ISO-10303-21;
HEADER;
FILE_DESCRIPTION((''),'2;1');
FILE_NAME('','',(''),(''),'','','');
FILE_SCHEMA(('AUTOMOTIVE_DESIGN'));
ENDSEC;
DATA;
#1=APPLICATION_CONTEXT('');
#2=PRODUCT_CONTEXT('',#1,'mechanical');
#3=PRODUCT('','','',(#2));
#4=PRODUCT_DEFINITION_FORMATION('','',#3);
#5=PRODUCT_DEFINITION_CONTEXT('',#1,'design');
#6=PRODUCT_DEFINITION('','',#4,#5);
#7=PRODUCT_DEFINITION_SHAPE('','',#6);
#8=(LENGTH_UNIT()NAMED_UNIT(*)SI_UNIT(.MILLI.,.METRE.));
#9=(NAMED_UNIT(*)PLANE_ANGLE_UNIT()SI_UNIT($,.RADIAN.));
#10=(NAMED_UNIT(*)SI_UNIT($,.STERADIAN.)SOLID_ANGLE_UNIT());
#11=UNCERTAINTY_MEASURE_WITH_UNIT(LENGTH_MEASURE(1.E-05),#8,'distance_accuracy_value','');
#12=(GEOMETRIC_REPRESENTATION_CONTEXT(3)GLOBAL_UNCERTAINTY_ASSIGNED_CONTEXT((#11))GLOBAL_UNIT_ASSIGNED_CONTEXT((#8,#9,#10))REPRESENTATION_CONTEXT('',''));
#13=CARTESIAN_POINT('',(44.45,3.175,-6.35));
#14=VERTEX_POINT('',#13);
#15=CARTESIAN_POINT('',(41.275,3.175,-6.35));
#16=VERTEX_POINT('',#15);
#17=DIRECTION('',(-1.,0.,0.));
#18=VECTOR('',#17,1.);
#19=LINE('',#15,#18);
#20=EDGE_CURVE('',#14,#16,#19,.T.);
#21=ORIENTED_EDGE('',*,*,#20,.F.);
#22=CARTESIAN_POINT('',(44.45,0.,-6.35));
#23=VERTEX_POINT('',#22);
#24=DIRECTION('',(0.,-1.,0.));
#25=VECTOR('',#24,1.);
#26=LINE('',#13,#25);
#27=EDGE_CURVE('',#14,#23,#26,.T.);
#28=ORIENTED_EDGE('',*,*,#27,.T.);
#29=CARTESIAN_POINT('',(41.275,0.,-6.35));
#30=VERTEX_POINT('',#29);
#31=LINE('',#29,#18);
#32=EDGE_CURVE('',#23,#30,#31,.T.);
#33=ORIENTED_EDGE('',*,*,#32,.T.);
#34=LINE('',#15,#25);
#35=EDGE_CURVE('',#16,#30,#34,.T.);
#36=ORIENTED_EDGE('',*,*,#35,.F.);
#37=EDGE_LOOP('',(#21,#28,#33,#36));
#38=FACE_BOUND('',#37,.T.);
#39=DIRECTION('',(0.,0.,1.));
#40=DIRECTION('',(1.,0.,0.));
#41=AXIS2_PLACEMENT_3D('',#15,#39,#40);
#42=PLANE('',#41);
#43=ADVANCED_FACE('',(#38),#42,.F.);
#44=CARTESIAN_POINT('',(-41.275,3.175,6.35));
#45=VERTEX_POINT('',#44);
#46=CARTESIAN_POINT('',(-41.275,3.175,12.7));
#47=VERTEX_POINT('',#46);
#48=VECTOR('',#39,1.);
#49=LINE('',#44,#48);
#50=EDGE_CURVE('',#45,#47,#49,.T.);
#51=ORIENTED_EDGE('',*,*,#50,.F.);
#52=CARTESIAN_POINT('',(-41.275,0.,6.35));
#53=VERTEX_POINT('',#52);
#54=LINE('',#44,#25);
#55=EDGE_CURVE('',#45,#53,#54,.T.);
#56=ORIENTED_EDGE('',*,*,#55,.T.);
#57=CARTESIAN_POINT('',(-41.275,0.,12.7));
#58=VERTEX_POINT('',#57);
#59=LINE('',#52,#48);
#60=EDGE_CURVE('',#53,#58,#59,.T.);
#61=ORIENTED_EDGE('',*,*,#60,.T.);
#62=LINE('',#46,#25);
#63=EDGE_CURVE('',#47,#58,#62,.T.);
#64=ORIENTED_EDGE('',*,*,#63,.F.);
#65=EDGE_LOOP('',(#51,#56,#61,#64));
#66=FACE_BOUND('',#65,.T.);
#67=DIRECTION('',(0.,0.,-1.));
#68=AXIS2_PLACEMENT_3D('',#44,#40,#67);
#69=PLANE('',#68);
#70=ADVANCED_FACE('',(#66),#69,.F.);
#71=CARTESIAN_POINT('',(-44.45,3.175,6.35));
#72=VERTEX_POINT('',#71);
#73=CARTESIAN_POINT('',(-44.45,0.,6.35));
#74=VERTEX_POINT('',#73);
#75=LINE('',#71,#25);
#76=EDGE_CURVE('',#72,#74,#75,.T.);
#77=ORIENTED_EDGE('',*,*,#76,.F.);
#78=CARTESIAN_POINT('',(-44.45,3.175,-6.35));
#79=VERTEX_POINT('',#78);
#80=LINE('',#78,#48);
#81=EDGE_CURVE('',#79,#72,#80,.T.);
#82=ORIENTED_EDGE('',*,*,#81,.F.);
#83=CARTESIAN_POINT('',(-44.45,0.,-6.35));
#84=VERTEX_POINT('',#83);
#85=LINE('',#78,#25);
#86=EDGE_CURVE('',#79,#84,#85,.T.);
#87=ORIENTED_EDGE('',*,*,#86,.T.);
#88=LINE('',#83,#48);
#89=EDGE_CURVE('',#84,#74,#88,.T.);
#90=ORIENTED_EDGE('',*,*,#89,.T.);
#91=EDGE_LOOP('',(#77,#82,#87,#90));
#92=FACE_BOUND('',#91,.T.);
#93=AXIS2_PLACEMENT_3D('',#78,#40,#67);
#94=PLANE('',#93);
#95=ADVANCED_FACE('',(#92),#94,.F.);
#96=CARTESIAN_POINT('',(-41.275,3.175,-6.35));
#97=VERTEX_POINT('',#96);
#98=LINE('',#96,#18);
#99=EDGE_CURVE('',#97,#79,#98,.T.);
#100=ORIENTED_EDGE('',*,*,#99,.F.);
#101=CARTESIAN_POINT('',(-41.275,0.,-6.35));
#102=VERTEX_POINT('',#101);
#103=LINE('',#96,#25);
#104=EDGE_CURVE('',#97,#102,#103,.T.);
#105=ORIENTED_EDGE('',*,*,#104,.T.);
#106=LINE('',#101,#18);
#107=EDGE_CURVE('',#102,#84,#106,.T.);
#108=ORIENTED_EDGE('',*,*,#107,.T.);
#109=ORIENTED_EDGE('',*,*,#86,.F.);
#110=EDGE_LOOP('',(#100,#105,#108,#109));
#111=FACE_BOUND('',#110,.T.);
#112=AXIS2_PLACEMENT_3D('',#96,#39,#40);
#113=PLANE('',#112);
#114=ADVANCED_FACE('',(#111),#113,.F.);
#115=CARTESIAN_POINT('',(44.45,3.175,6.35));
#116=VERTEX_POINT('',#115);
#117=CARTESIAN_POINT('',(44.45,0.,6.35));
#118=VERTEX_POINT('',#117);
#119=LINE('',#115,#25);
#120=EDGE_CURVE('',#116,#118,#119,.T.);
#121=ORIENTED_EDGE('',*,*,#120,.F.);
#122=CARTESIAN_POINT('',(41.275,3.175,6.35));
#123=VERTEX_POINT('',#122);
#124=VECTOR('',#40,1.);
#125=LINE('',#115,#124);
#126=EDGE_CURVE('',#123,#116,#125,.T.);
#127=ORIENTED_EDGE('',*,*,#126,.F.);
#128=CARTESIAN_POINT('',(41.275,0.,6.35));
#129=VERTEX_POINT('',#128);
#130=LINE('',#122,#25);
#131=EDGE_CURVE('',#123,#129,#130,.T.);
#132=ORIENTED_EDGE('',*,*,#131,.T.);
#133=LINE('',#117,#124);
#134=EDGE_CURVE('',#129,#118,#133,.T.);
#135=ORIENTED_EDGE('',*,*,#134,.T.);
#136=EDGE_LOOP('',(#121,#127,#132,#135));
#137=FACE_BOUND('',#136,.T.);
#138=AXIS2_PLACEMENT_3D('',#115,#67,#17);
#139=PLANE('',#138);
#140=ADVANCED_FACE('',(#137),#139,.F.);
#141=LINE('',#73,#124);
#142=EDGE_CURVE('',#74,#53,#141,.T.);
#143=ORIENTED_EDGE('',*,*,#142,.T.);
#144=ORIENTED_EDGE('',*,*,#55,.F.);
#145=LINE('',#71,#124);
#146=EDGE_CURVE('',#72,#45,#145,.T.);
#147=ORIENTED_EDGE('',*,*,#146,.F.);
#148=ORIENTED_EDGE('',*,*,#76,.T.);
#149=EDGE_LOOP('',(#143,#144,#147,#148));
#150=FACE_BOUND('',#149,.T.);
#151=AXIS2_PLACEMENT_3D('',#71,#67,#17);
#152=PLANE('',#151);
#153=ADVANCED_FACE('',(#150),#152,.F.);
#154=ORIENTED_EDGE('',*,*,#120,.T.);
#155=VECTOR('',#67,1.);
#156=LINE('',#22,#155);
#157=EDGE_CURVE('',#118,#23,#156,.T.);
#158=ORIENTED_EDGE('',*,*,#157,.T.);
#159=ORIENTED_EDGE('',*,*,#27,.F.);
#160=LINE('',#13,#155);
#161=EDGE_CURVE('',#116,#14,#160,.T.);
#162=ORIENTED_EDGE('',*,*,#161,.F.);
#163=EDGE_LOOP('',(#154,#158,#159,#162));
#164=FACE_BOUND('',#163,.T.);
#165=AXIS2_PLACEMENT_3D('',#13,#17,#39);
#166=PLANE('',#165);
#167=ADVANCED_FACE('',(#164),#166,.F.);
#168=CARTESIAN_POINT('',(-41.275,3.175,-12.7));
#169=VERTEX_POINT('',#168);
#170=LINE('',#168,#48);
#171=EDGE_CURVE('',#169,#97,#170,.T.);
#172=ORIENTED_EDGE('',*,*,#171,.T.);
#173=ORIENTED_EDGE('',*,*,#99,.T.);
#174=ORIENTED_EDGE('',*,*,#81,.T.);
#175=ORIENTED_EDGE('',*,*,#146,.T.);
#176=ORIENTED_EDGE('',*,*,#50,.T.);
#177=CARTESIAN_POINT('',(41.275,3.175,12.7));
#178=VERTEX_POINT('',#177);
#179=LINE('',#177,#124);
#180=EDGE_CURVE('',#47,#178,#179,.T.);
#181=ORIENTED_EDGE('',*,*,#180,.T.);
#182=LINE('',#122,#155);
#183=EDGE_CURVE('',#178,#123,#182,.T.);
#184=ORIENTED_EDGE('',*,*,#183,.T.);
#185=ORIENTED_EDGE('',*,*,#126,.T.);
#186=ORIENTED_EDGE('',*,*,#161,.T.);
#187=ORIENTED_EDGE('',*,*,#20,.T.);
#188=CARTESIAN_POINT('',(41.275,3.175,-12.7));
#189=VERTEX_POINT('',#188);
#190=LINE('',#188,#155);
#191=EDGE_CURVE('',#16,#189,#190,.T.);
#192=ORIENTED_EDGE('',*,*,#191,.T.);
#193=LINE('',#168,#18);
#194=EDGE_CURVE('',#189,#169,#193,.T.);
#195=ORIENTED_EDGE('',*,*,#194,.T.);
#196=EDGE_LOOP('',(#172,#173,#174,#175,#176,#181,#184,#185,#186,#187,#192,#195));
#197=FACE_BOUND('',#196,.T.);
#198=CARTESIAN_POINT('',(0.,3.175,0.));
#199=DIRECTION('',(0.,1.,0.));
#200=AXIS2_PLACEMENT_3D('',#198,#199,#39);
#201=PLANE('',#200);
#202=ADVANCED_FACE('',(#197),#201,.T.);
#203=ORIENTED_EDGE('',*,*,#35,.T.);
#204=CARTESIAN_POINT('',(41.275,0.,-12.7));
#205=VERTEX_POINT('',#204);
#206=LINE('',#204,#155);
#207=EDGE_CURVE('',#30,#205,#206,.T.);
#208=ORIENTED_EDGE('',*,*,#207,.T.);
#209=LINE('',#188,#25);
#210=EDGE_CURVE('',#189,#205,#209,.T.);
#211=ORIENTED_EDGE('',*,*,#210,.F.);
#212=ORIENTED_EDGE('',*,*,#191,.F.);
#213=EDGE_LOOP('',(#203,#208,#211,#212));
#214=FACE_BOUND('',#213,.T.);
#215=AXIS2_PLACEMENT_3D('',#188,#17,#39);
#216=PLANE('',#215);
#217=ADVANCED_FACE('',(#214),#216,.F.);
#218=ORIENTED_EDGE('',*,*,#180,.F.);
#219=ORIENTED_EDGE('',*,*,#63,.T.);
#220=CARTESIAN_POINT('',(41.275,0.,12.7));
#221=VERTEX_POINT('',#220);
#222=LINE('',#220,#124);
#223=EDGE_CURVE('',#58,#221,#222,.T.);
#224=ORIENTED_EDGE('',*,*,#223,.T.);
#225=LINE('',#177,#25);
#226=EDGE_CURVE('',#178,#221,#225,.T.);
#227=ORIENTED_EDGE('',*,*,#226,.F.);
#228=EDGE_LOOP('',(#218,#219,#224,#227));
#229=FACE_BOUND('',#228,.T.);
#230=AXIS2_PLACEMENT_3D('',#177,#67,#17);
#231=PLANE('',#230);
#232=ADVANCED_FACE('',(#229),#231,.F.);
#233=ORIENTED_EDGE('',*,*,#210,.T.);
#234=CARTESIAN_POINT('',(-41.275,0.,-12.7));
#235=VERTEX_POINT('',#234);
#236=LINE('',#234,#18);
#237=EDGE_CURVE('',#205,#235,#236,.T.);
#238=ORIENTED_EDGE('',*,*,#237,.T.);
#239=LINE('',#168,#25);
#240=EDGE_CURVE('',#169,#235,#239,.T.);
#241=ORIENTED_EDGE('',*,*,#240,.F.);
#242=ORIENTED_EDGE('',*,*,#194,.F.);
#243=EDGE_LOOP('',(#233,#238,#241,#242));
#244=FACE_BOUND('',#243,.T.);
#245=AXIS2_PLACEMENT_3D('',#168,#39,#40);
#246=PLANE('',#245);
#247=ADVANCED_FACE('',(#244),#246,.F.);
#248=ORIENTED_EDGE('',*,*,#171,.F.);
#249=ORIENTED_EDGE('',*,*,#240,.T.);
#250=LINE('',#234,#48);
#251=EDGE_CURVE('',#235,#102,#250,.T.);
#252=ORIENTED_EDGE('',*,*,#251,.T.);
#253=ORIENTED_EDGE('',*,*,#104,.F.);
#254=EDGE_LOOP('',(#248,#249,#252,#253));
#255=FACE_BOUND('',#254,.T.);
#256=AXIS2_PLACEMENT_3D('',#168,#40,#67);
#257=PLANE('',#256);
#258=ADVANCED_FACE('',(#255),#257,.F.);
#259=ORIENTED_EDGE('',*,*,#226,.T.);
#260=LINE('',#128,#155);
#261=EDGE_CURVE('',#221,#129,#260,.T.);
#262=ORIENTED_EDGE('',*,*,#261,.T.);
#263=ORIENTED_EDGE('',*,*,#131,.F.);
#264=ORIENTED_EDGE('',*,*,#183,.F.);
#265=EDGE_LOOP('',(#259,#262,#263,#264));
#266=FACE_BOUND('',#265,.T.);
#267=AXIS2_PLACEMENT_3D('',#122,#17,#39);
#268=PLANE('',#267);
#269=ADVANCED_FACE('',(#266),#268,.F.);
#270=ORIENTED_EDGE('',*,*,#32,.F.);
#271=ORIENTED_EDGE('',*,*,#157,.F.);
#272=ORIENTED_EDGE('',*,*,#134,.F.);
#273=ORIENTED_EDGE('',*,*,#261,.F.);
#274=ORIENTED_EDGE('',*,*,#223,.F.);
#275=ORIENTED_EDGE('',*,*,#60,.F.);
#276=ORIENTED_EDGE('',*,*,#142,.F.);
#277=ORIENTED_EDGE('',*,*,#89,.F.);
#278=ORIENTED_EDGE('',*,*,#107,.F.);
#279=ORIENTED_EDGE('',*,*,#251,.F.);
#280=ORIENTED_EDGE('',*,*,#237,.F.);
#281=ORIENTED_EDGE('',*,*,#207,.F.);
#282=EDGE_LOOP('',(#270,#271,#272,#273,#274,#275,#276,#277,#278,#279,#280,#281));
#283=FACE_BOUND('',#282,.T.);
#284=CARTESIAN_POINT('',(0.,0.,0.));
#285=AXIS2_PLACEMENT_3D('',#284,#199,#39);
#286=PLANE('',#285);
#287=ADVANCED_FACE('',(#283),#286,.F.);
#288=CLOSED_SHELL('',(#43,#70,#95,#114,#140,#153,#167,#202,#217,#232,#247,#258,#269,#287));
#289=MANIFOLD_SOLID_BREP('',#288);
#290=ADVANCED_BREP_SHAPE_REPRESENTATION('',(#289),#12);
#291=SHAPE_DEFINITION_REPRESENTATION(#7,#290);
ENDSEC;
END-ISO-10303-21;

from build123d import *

# Parameters (mm, degrees)
BOSS_EXTRUDE1_DEPTH = 3.175


with BuildPart() as part:
    # Sketch1 → Boss-Extrude1 (new body)
    with BuildSketch(Plane(origin=(0, 0, 0), x_dir=(1, 0, 0), z_dir=(0, 1, 0))):
        Polygon((-41.275, 12.7), (41.275, 12.7), (41.275, 6.35), (44.45, 6.35), (44.45, -6.35), (41.275, -6.35), (41.275, -12.7), (-41.275, -12.7), (-41.275, -6.35), (-44.45, -6.35), (-44.45, 6.35), (-41.275, 6.35), align=None)
    extrude(amount=BOSS_EXTRUDE1_DEPTH)


solid = part.part
